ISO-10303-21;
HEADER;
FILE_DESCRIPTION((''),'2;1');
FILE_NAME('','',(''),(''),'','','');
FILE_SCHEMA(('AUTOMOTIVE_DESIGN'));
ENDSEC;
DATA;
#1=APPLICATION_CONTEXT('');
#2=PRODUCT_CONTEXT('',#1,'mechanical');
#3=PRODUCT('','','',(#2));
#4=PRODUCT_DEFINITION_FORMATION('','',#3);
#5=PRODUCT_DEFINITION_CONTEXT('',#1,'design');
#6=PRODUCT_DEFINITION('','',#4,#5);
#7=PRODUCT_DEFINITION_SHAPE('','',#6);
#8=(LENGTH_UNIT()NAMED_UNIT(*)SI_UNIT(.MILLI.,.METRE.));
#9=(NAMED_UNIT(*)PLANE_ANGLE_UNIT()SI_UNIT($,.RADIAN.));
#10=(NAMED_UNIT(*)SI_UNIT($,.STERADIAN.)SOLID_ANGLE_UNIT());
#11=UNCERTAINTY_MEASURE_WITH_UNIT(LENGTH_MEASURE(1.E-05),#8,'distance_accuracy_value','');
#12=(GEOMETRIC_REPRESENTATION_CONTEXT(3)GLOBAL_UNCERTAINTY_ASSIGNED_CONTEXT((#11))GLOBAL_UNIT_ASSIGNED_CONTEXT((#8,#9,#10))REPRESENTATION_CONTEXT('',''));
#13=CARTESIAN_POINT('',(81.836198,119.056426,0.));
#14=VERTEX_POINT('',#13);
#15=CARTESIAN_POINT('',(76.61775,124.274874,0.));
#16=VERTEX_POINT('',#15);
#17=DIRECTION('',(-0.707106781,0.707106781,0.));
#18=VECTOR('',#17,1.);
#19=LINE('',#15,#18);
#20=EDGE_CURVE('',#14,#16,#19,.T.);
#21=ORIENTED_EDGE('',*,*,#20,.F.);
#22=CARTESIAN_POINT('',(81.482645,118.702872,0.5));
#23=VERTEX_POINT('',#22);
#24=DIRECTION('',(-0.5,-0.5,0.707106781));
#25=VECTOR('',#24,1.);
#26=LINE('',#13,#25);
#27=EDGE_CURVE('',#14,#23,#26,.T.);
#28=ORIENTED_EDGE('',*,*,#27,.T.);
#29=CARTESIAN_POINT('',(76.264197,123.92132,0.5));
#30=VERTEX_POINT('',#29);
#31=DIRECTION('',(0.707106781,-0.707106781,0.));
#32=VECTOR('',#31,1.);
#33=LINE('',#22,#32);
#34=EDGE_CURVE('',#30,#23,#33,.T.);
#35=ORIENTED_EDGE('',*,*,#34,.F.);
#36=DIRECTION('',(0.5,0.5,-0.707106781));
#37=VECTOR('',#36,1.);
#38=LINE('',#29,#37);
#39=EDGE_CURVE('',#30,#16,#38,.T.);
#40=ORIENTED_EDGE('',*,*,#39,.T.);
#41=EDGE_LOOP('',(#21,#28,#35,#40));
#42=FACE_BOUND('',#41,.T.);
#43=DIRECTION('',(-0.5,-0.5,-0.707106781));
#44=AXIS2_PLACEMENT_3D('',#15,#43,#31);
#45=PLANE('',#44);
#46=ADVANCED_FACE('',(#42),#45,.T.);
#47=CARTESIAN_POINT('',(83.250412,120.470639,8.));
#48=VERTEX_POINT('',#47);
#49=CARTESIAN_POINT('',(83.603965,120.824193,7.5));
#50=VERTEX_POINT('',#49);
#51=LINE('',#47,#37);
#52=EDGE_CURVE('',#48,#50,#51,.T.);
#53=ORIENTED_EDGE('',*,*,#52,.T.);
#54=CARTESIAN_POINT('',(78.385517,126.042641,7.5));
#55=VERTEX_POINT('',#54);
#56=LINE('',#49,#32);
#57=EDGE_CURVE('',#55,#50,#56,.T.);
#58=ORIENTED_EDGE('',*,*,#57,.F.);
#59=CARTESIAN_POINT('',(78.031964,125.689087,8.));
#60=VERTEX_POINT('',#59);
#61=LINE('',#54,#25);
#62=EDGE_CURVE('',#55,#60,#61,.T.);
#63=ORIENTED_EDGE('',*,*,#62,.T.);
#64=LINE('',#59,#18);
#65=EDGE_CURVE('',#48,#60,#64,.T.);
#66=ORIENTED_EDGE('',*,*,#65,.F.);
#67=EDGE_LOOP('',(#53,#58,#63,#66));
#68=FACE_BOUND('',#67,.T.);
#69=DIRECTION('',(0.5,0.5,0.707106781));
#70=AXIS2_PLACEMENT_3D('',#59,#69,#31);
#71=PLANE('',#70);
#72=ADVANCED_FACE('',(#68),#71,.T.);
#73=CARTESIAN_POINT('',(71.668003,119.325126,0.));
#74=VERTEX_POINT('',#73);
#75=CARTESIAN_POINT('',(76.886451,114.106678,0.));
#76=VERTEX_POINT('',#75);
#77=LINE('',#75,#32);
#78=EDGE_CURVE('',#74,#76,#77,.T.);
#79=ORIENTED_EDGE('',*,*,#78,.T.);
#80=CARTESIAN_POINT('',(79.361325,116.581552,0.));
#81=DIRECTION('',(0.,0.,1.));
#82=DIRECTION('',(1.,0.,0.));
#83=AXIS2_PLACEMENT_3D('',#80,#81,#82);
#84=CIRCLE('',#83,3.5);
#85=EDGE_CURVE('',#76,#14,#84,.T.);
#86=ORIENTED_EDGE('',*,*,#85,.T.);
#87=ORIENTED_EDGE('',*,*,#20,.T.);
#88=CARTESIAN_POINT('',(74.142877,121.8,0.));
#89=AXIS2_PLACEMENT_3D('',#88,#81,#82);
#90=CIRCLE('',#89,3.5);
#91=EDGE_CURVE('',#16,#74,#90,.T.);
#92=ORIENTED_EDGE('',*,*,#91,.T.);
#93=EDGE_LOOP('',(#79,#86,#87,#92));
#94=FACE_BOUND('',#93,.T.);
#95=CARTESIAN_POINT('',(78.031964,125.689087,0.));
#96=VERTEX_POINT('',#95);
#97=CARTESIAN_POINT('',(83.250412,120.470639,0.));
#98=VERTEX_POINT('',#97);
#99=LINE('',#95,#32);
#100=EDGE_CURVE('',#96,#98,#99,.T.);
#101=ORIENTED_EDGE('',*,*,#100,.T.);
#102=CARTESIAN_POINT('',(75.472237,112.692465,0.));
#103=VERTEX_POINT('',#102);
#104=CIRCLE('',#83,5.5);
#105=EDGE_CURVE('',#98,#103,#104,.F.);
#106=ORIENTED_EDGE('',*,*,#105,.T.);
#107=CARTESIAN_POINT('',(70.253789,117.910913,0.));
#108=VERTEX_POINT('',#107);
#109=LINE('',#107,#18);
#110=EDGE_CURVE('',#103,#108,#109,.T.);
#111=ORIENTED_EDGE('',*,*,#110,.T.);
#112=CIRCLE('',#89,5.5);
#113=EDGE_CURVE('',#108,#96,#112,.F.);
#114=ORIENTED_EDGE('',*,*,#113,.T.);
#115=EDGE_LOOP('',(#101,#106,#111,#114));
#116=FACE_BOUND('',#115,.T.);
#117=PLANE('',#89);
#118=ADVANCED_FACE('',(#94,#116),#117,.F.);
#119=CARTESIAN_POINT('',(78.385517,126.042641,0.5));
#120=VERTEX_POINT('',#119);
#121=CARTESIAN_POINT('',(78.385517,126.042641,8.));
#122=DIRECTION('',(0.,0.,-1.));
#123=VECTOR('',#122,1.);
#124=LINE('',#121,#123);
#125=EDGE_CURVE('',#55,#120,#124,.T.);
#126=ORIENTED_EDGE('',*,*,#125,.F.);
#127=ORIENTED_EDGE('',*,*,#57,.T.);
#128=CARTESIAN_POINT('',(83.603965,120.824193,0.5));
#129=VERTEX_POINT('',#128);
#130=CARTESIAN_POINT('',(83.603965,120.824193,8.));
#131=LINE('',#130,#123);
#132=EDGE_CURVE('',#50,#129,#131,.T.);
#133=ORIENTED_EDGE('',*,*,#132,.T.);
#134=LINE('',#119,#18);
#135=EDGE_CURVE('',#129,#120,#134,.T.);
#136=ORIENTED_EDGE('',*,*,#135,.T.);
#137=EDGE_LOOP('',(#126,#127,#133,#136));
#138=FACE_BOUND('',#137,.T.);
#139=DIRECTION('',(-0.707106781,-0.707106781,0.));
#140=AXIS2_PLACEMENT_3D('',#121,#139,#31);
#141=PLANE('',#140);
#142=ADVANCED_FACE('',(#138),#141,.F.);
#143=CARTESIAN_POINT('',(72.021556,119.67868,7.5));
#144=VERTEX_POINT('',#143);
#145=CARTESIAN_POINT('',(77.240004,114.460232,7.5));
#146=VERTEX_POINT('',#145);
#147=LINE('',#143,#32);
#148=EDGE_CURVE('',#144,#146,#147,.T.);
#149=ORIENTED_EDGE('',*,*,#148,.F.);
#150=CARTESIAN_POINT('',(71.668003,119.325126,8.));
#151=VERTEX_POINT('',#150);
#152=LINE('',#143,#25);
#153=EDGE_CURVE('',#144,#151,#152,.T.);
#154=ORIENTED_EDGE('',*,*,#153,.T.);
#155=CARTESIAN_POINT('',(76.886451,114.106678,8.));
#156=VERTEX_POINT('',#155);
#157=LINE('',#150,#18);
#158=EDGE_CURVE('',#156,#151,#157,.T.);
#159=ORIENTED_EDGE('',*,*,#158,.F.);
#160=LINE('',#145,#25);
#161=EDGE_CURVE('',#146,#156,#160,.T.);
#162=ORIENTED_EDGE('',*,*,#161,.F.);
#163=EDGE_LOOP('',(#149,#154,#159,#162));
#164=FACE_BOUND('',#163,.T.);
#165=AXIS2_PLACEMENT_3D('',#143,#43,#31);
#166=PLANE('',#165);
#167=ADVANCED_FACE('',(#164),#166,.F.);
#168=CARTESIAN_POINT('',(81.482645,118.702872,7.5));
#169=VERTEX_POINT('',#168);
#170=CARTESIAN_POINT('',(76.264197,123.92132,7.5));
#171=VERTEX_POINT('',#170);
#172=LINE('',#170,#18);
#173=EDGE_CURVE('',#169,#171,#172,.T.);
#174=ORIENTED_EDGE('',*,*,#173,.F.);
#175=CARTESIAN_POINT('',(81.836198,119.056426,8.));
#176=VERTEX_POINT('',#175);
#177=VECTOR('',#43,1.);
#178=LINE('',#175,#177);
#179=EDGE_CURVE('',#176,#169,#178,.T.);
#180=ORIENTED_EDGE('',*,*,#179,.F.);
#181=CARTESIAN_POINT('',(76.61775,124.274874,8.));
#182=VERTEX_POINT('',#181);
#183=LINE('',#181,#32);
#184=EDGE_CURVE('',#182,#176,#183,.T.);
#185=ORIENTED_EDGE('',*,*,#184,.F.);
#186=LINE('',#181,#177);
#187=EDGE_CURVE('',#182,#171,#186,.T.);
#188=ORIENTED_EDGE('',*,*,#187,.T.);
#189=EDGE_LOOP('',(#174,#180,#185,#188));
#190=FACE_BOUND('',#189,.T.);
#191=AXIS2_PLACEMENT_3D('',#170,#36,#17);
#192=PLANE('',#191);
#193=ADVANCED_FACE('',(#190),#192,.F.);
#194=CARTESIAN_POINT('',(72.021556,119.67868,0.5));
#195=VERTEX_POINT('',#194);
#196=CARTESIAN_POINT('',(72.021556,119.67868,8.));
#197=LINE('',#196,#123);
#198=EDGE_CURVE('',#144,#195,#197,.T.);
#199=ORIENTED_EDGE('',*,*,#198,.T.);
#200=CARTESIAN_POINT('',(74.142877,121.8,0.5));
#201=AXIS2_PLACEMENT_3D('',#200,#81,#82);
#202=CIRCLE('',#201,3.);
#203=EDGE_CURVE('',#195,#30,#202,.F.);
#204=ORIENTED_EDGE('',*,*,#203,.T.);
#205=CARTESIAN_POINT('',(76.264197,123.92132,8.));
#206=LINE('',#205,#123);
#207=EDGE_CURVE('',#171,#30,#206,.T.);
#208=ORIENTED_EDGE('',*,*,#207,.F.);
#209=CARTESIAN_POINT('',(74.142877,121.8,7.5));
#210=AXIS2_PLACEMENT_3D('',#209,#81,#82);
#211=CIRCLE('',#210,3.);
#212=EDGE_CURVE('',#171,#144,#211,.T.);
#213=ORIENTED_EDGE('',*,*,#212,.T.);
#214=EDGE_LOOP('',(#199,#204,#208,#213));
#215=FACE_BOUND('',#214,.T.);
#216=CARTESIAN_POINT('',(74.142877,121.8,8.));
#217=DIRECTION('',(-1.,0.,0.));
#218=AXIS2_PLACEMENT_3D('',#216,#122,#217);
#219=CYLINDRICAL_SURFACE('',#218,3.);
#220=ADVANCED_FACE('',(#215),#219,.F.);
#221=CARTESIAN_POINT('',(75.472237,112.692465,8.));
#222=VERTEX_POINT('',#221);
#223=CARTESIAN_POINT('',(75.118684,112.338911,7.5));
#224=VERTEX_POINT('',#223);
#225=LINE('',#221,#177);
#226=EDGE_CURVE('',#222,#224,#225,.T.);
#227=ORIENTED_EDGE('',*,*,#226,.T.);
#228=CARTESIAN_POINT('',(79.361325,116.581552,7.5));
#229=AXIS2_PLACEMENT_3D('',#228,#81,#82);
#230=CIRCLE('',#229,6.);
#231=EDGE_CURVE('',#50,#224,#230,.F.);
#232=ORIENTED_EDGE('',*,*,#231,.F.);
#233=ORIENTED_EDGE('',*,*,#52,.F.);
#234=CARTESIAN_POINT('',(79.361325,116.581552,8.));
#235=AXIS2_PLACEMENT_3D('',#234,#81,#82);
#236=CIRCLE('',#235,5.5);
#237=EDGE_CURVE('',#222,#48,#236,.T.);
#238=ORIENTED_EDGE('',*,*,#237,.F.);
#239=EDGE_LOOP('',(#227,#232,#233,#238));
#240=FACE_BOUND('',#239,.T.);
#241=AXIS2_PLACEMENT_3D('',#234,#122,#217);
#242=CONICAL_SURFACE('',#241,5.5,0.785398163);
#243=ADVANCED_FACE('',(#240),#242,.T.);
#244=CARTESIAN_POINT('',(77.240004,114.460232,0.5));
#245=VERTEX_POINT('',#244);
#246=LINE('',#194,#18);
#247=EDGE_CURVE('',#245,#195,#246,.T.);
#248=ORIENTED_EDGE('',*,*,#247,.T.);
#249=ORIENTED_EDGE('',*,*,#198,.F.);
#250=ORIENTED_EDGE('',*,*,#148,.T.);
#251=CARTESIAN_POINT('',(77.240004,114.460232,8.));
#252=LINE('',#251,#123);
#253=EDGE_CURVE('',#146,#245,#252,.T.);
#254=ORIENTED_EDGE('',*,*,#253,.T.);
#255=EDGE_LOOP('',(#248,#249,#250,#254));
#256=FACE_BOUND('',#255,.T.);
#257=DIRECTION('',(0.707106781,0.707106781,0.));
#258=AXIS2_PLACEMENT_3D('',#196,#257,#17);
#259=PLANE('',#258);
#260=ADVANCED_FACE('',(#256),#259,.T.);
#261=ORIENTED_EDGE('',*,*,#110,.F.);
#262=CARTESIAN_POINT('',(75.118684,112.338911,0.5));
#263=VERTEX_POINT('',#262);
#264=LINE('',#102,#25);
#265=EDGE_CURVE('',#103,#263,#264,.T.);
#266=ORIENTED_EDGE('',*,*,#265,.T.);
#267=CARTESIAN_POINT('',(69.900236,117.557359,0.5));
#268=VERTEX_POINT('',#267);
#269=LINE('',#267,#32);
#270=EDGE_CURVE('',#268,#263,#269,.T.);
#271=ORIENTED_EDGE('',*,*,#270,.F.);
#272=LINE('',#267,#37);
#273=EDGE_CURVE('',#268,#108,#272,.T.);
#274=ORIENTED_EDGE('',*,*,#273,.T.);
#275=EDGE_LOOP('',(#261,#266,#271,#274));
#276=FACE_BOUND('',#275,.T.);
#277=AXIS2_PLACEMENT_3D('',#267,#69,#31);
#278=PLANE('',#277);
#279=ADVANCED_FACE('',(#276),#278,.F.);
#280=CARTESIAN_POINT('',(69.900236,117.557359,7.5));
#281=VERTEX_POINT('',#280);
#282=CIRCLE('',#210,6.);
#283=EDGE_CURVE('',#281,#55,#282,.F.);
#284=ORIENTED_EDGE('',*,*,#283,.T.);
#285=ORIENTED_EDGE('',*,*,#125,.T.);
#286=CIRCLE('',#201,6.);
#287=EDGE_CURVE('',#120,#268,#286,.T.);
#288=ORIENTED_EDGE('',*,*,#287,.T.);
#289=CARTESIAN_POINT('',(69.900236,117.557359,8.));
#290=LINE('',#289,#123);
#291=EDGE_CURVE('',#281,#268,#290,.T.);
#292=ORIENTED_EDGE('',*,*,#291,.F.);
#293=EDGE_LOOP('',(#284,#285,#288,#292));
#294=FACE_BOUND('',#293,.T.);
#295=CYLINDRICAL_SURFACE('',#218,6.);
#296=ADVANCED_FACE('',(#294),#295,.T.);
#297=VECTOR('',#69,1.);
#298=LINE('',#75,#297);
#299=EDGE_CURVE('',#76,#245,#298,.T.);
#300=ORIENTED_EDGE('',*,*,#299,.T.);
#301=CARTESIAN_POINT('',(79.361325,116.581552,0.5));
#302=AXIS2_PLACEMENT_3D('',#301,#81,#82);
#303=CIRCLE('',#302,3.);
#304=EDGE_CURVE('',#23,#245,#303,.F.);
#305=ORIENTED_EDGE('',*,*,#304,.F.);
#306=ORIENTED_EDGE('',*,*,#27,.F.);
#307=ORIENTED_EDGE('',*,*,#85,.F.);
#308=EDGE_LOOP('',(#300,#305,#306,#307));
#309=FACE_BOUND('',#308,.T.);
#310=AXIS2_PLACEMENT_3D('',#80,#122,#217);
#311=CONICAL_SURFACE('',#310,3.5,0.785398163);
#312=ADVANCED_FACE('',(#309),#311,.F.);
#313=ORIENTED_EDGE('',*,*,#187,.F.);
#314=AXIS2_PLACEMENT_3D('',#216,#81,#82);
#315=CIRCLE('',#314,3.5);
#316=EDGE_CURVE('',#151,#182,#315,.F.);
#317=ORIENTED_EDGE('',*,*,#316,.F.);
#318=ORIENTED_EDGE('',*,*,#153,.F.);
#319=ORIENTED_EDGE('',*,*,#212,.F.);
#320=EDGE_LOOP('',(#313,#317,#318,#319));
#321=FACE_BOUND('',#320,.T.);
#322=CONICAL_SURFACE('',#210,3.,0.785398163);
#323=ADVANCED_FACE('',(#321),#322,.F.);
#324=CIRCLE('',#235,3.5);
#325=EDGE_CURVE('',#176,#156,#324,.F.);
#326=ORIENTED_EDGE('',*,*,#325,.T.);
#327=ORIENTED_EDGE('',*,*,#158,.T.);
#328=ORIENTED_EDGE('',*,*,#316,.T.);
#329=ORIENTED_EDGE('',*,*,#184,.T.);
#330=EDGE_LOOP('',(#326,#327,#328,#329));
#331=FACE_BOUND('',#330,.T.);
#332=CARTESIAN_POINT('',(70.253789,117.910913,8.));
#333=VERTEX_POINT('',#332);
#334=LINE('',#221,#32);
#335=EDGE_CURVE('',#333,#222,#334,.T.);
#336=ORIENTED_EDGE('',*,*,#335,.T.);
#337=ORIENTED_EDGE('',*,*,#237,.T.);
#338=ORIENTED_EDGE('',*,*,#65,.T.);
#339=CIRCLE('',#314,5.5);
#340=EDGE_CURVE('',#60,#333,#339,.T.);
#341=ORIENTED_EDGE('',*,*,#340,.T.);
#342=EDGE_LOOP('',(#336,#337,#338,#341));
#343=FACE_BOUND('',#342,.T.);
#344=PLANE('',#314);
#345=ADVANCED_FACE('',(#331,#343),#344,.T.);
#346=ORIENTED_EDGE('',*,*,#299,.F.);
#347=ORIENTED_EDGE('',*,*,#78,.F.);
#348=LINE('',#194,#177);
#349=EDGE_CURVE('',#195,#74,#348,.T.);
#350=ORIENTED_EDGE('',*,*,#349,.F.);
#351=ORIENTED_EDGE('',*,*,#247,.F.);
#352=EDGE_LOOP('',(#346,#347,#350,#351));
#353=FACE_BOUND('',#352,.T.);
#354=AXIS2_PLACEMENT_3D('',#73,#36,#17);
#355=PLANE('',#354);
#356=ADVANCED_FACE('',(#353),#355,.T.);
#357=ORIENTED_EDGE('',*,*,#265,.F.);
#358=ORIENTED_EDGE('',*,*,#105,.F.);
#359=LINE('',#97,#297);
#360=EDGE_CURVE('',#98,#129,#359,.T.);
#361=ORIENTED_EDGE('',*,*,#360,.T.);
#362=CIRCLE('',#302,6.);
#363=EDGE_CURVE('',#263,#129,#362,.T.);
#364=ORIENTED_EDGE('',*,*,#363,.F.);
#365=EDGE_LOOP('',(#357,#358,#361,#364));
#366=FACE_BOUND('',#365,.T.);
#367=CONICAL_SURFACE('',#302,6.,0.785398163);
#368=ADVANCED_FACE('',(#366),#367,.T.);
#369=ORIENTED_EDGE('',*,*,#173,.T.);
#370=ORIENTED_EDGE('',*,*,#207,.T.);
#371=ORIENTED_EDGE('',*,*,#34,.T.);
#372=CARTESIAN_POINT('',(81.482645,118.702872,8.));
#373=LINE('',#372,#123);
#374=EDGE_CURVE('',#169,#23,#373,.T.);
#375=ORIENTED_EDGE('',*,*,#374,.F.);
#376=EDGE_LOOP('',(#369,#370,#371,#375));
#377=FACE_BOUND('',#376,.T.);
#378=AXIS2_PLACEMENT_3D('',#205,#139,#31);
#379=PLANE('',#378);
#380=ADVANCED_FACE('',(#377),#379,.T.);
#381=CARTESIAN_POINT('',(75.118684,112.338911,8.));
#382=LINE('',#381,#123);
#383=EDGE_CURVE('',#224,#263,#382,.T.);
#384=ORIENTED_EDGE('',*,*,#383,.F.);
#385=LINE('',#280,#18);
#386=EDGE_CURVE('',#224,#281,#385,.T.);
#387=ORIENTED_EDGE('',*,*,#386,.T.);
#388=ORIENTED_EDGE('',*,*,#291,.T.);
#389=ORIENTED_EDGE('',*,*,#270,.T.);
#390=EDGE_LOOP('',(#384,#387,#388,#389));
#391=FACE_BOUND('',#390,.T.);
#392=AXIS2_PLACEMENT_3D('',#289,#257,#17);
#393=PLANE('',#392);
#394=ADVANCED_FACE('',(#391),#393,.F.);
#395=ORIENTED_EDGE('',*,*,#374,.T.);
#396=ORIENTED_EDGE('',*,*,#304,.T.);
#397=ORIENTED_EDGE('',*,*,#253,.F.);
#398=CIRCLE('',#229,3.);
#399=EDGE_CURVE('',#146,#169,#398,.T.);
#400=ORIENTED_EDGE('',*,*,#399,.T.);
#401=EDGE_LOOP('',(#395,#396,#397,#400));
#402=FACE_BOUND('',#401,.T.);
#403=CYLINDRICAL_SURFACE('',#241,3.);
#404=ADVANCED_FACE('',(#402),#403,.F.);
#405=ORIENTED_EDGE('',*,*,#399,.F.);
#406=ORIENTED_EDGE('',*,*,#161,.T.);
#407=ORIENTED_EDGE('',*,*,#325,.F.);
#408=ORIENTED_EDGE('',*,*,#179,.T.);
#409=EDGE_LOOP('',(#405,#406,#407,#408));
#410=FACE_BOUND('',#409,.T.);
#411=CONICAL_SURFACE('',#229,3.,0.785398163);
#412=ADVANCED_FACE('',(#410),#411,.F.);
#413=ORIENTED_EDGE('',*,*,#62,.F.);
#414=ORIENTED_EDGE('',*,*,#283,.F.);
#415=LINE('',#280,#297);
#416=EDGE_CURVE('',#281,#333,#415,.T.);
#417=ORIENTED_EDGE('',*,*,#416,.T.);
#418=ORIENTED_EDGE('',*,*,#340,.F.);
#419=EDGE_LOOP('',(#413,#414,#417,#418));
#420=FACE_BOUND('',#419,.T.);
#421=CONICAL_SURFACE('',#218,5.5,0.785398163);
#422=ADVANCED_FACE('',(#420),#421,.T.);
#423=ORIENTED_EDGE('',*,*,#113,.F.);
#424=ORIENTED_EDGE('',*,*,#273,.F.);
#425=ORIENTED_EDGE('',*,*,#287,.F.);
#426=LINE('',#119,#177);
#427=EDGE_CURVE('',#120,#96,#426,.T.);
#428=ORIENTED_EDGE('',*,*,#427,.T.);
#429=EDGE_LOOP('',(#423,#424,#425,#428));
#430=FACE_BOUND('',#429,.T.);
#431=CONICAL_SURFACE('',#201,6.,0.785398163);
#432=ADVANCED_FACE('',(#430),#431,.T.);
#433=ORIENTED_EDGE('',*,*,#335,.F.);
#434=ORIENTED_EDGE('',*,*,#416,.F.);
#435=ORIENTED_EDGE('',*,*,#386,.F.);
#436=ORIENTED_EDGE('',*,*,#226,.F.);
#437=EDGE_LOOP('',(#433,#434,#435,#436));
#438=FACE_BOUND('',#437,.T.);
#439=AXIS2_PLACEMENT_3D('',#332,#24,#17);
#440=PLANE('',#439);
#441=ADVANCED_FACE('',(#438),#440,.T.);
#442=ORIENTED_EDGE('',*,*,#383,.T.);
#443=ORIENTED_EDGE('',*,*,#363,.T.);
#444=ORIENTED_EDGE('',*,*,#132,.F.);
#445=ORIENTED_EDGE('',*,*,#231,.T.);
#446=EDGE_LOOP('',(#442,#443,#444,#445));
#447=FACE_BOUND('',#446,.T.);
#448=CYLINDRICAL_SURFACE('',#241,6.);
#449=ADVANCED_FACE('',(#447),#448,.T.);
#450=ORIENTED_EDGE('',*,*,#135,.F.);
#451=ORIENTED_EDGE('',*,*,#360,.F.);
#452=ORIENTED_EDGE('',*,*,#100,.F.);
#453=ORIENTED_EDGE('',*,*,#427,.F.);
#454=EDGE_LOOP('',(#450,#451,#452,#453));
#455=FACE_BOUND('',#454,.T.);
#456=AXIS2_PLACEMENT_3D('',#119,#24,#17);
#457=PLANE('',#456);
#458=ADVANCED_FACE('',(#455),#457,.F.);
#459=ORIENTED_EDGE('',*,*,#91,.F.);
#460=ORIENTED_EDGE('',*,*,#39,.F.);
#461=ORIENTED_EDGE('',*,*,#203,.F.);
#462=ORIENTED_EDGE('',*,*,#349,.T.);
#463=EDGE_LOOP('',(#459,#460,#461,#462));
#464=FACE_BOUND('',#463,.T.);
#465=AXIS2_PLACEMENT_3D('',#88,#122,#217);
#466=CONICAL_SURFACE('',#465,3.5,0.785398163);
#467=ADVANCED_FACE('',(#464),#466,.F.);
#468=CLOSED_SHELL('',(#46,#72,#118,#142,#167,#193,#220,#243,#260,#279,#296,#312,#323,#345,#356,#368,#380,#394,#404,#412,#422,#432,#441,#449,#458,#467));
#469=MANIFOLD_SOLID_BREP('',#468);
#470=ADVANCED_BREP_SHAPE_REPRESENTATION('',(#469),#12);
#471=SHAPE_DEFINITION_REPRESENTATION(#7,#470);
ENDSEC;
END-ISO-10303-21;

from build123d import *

# Parameters (mm, degrees)
BOSS_EXTRUDE1_DEPTH = 8
CHAMFER1_SIZE       = 0.5


with BuildPart() as part:
    # Sketch1 → Boss-Extrude1 (new body)
    with BuildSketch(Plane.XY):
        with BuildLine():
            Line((69.900235992, 117.557359313), (75.118684037, 112.338911268))
            ThreePointArc((75.118684037, 112.338911268), (83.603965411, 112.338911268), (83.603965411, 120.824192642))
            Line((83.603965411, 120.824192642), (78.385517366, 126.042640687))
            ThreePointArc((78.385517366, 126.042640687), (69.900235992, 126.042640687), (69.900235992, 117.557359313))
        make_face()
        with BuildLine():
            Line((72.021556335, 119.678679656), (77.24000438, 114.460231611))
            ThreePointArc((77.24000438, 114.460231611), (81.482645068, 114.460231611), (81.482645068, 118.702872298))
            Line((81.482645068, 118.702872298), (76.264197022, 123.921320344))
            ThreePointArc((76.264197022, 123.921320344), (72.021556335, 123.921320344), (72.021556335, 119.678679656))
        make_face(mode=Mode.SUBTRACT)
    extrude(amount=BOSS_EXTRUDE1_DEPTH)

    # Chamfer1
    chamfer1_edges = [part.edges().sort_by_distance(p)[0] for p in [
        (83.603965411, 112.338911268, 8),
        (80.994741388, 123.433416665, 8),
        (72.021556335, 123.921320344, 0),
        (74.630780358, 117.069455634, 0),
        (81.482645068, 114.460231611, 0),
        (78.873421045, 121.312096321, 0),
        (72.021556335, 123.921320344, 8),
        (74.630780358, 117.069455634, 8),
        (81.482645068, 114.460231611, 8),
        (78.873421045, 121.312096321, 8),
        (69.900235992, 126.042640687, 8),
        (80.994741388, 123.433416665, 0),
        (83.603965411, 112.338911268, 0),
        (72.509460014, 114.94813529, 0),
        (69.900235992, 126.042640687, 0),
        (72.509460014, 114.94813529, 8),
    ]]
    chamfer(chamfer1_edges, length=CHAMFER1_SIZE)


solid = part.part
